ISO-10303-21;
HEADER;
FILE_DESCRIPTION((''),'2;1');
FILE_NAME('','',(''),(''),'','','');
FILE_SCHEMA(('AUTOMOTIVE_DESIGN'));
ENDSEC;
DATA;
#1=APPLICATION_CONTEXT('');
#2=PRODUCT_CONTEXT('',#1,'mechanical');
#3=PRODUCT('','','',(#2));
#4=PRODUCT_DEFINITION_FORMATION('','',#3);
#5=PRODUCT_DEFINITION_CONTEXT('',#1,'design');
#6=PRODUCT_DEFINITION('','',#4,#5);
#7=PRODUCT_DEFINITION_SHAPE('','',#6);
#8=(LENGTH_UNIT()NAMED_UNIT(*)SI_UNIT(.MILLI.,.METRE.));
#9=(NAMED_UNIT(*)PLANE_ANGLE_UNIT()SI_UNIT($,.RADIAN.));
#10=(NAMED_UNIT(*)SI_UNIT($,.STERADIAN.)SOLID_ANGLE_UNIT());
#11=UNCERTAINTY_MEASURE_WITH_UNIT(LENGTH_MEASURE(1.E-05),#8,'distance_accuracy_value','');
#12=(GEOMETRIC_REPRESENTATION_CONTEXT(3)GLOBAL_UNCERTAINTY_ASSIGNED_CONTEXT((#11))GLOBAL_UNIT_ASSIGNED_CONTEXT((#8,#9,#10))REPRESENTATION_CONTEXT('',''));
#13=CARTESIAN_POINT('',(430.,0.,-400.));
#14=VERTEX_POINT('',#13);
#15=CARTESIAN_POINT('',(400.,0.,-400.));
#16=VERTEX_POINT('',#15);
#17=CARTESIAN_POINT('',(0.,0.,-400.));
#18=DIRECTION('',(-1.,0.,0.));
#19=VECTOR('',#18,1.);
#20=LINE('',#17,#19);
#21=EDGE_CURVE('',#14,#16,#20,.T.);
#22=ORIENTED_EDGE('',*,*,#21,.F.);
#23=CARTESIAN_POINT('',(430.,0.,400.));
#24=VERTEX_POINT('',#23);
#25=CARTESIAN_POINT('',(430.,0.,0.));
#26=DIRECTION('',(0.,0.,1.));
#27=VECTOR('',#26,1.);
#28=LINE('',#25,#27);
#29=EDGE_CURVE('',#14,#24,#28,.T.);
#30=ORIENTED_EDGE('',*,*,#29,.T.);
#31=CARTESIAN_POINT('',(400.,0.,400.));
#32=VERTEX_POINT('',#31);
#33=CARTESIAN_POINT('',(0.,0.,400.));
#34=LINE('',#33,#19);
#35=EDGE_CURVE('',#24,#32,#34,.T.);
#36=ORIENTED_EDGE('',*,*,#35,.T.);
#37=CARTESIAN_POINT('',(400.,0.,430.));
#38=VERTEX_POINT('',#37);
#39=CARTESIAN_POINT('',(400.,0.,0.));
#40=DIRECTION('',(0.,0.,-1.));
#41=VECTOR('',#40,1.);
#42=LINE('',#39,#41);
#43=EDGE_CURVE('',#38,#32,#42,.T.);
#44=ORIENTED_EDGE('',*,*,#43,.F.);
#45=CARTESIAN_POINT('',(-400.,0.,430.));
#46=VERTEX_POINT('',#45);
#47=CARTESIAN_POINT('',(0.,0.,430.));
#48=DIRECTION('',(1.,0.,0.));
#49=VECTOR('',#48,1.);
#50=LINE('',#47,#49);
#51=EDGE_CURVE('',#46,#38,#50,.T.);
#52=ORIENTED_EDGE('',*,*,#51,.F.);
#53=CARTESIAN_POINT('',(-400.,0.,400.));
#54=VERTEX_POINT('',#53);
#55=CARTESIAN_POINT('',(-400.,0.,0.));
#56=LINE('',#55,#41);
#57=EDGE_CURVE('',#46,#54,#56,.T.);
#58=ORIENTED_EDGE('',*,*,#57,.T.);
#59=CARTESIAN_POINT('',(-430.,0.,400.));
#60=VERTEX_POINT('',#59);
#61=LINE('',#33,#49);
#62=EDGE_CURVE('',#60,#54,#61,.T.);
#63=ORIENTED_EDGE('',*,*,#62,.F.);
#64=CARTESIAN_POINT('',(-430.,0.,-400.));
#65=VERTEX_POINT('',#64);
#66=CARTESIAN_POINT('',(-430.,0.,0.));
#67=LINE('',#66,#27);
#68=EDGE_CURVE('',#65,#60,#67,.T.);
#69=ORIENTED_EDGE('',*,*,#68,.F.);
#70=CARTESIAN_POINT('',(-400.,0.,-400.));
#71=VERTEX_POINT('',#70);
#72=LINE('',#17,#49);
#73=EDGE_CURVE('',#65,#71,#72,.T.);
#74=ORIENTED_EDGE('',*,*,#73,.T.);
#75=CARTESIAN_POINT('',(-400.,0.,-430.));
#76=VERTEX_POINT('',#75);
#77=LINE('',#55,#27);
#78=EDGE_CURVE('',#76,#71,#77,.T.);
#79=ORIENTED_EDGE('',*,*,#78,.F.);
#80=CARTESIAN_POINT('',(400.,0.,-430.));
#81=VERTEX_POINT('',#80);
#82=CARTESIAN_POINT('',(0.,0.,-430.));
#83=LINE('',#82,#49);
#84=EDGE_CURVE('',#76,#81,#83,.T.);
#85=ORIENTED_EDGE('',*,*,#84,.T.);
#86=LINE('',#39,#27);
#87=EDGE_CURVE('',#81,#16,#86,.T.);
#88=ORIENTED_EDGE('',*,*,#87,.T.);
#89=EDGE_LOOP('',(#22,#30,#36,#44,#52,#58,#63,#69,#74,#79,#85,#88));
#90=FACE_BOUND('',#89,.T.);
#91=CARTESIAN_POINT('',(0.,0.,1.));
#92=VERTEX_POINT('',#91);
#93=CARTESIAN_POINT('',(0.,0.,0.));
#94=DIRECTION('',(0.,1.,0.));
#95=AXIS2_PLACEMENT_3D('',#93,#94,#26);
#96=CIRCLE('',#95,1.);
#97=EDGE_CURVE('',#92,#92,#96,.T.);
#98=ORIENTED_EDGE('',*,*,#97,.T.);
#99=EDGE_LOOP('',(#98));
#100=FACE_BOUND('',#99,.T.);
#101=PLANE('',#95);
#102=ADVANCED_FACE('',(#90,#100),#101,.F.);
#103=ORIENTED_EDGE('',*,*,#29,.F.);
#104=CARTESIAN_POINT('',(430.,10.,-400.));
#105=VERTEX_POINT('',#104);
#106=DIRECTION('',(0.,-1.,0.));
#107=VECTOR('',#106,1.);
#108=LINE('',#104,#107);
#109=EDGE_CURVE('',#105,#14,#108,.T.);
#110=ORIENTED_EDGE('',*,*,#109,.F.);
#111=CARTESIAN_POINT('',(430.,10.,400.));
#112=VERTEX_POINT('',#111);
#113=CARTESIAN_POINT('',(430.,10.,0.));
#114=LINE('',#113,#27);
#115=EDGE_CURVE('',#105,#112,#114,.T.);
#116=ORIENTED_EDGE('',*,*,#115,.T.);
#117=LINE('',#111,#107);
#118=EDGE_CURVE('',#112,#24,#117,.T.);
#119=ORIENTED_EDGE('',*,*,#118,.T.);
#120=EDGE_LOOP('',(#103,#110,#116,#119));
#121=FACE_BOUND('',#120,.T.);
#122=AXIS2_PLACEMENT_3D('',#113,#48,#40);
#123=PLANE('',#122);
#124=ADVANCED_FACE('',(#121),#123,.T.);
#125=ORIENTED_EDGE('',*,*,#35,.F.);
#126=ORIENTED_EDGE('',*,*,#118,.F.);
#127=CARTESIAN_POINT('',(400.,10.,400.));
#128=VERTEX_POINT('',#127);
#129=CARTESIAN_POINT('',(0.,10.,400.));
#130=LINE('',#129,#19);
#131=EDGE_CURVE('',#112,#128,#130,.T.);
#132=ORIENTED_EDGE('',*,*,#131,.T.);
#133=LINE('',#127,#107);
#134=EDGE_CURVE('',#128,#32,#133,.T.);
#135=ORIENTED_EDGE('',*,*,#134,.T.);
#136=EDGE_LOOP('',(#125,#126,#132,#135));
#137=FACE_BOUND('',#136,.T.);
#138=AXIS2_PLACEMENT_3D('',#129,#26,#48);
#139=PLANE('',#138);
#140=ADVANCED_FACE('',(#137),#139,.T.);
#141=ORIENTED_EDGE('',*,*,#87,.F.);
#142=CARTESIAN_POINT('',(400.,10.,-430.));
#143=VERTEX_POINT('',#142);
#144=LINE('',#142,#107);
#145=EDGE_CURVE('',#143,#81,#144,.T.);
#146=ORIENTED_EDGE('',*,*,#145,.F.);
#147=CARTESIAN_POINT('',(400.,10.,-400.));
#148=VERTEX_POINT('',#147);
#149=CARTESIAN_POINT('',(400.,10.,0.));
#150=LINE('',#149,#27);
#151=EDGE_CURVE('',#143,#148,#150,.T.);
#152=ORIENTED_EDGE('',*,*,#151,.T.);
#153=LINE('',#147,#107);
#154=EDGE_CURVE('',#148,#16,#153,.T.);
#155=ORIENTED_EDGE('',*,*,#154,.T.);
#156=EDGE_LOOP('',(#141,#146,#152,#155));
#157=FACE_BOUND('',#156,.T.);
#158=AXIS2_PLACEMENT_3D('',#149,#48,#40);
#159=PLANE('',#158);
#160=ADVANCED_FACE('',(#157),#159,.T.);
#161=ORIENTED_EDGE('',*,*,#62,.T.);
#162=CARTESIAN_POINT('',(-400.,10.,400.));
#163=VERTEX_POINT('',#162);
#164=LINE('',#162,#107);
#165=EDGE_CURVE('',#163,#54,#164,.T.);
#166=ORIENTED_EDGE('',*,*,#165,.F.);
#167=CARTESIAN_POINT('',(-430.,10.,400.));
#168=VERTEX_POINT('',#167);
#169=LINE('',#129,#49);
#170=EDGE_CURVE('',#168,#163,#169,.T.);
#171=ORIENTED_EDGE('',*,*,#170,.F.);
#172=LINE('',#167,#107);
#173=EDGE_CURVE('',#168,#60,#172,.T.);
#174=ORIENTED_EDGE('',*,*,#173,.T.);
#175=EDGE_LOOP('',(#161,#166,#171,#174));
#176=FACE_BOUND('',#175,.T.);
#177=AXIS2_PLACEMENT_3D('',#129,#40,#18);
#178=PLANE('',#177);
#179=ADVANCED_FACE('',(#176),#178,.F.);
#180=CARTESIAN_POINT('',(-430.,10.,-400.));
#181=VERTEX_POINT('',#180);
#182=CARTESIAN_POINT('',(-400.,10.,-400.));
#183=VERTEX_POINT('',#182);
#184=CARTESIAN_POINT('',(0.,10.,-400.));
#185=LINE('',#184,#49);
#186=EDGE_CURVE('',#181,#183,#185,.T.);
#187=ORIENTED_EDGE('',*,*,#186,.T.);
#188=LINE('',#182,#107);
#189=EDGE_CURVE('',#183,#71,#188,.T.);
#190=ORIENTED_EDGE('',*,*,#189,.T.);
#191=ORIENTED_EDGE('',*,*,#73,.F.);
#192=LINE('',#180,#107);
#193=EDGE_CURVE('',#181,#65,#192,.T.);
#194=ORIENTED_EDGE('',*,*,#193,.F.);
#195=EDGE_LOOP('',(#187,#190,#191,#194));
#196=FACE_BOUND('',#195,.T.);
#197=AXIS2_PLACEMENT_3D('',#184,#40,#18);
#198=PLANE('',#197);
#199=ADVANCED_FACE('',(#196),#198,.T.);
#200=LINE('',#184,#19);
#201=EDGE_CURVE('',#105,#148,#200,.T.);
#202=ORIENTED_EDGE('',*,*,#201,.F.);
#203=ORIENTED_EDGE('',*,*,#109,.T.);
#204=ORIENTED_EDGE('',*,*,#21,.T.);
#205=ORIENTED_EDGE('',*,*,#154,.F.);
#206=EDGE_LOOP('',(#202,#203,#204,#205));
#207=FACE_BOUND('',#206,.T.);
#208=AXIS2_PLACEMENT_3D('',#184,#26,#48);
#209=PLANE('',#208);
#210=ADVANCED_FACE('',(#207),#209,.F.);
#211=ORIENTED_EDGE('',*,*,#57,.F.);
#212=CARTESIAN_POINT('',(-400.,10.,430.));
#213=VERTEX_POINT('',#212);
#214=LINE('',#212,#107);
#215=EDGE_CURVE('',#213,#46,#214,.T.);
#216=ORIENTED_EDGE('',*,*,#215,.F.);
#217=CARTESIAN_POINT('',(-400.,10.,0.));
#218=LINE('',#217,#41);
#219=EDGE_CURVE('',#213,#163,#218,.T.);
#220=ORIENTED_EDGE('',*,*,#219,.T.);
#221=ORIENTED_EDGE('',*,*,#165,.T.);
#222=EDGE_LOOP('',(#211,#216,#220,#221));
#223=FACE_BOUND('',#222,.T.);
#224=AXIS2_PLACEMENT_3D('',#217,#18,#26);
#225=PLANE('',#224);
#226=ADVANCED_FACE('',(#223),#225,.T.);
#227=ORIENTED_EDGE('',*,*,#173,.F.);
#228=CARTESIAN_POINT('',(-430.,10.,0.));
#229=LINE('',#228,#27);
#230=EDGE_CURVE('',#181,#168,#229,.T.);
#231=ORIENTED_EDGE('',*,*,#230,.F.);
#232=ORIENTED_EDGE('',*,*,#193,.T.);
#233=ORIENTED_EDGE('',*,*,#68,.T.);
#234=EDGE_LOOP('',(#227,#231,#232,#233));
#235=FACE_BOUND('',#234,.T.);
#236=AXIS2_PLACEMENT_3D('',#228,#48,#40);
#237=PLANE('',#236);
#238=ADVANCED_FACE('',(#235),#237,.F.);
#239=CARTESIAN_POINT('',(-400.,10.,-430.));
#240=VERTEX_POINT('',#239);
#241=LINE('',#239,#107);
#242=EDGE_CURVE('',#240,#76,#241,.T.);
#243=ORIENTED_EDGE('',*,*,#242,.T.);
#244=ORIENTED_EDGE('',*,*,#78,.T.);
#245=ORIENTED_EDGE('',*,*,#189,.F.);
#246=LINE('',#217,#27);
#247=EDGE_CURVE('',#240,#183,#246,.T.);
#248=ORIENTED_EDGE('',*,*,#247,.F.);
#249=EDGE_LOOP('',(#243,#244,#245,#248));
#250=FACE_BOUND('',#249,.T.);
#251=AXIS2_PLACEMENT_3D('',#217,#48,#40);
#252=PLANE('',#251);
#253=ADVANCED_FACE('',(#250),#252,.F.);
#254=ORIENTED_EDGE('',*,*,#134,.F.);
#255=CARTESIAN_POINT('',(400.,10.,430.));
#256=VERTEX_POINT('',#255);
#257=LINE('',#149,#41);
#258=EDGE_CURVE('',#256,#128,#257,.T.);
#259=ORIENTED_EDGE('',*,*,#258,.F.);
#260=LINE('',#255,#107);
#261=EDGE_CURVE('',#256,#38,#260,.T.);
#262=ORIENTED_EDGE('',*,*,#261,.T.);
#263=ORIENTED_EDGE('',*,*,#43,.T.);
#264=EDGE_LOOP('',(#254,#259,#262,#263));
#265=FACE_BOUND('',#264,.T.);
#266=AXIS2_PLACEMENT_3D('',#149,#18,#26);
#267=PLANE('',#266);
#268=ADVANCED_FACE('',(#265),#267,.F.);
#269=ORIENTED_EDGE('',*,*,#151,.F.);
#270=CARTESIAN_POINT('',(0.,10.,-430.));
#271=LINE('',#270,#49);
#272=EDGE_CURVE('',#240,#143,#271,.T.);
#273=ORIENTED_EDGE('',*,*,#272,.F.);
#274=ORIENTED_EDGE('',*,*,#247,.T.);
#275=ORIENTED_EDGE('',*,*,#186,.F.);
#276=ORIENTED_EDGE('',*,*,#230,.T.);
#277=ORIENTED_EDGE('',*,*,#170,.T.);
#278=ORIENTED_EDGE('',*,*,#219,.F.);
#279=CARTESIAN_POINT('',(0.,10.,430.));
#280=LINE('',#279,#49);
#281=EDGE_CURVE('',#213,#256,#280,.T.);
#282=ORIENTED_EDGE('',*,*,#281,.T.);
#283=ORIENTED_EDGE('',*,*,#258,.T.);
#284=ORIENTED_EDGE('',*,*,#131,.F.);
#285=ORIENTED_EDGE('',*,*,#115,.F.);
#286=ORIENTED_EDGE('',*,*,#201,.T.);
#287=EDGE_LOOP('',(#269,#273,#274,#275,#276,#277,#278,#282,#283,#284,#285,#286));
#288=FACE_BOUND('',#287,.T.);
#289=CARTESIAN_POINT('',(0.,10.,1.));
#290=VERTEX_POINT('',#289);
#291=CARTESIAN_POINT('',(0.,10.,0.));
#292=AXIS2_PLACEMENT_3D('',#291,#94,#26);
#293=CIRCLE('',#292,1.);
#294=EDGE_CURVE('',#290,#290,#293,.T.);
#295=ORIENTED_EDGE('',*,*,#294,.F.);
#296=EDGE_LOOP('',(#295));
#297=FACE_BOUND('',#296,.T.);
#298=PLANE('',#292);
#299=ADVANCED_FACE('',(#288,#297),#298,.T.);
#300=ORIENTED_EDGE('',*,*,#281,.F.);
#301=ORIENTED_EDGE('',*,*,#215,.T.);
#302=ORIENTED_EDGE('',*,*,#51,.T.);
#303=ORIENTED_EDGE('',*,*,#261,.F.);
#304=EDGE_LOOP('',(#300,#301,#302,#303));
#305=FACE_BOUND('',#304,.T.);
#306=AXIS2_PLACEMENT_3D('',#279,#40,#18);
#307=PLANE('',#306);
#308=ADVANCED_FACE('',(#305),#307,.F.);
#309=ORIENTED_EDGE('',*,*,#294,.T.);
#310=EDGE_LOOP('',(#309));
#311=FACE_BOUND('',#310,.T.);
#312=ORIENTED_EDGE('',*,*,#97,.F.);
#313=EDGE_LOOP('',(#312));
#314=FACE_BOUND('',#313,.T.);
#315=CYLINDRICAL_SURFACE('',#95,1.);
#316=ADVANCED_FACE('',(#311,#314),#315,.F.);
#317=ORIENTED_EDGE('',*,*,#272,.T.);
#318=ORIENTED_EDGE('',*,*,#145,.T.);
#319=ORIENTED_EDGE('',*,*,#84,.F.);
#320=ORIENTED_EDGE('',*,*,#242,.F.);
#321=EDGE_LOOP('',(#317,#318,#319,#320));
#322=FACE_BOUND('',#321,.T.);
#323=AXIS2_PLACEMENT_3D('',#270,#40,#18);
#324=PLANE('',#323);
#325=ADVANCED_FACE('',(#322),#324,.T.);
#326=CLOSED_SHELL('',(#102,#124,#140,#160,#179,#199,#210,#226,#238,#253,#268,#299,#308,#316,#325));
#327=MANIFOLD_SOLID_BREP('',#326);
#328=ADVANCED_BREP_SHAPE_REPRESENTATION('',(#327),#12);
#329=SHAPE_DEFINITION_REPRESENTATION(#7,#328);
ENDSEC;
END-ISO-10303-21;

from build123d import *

# Parameters (mm, degrees)
BOSS_EXTRUDE1_DEPTH     = 10
SKETCH2_R               = 1
CUT_EXTRUDE1_DEPTH      = 1
CUT_EXTRUDE1_DEPTH_BACK = 11


with BuildPart() as part:
    # Sketch1 → Boss-Extrude1 (new body)
    with BuildSketch(Plane(origin=(0, 0, 0), x_dir=(1, 0, 0), z_dir=(0, 1, 0))):
        Polygon((-400, -430), (400, -430), (400, -400), (430, -400), (430, 400), (400, 400), (400, 430), (-400, 430), (-400, 400), (-430, 400), (-430, -400), (-400, -400), align=None)
    extrude(amount=BOSS_EXTRUDE1_DEPTH)

    # Sketch2 → Cut-Extrude1 (cut, two sides)
    with BuildSketch(Plane(origin=(0, 10, 0), x_dir=(1, 0, 0), z_dir=(0, 1, 0))) as cut_extrude1_sk:
        Circle(SKETCH2_R)
    extrude(amount=CUT_EXTRUDE1_DEPTH, mode=Mode.SUBTRACT)
    extrude(cut_extrude1_sk.sketch, amount=-CUT_EXTRUDE1_DEPTH_BACK, mode=Mode.SUBTRACT)


solid = part.part
